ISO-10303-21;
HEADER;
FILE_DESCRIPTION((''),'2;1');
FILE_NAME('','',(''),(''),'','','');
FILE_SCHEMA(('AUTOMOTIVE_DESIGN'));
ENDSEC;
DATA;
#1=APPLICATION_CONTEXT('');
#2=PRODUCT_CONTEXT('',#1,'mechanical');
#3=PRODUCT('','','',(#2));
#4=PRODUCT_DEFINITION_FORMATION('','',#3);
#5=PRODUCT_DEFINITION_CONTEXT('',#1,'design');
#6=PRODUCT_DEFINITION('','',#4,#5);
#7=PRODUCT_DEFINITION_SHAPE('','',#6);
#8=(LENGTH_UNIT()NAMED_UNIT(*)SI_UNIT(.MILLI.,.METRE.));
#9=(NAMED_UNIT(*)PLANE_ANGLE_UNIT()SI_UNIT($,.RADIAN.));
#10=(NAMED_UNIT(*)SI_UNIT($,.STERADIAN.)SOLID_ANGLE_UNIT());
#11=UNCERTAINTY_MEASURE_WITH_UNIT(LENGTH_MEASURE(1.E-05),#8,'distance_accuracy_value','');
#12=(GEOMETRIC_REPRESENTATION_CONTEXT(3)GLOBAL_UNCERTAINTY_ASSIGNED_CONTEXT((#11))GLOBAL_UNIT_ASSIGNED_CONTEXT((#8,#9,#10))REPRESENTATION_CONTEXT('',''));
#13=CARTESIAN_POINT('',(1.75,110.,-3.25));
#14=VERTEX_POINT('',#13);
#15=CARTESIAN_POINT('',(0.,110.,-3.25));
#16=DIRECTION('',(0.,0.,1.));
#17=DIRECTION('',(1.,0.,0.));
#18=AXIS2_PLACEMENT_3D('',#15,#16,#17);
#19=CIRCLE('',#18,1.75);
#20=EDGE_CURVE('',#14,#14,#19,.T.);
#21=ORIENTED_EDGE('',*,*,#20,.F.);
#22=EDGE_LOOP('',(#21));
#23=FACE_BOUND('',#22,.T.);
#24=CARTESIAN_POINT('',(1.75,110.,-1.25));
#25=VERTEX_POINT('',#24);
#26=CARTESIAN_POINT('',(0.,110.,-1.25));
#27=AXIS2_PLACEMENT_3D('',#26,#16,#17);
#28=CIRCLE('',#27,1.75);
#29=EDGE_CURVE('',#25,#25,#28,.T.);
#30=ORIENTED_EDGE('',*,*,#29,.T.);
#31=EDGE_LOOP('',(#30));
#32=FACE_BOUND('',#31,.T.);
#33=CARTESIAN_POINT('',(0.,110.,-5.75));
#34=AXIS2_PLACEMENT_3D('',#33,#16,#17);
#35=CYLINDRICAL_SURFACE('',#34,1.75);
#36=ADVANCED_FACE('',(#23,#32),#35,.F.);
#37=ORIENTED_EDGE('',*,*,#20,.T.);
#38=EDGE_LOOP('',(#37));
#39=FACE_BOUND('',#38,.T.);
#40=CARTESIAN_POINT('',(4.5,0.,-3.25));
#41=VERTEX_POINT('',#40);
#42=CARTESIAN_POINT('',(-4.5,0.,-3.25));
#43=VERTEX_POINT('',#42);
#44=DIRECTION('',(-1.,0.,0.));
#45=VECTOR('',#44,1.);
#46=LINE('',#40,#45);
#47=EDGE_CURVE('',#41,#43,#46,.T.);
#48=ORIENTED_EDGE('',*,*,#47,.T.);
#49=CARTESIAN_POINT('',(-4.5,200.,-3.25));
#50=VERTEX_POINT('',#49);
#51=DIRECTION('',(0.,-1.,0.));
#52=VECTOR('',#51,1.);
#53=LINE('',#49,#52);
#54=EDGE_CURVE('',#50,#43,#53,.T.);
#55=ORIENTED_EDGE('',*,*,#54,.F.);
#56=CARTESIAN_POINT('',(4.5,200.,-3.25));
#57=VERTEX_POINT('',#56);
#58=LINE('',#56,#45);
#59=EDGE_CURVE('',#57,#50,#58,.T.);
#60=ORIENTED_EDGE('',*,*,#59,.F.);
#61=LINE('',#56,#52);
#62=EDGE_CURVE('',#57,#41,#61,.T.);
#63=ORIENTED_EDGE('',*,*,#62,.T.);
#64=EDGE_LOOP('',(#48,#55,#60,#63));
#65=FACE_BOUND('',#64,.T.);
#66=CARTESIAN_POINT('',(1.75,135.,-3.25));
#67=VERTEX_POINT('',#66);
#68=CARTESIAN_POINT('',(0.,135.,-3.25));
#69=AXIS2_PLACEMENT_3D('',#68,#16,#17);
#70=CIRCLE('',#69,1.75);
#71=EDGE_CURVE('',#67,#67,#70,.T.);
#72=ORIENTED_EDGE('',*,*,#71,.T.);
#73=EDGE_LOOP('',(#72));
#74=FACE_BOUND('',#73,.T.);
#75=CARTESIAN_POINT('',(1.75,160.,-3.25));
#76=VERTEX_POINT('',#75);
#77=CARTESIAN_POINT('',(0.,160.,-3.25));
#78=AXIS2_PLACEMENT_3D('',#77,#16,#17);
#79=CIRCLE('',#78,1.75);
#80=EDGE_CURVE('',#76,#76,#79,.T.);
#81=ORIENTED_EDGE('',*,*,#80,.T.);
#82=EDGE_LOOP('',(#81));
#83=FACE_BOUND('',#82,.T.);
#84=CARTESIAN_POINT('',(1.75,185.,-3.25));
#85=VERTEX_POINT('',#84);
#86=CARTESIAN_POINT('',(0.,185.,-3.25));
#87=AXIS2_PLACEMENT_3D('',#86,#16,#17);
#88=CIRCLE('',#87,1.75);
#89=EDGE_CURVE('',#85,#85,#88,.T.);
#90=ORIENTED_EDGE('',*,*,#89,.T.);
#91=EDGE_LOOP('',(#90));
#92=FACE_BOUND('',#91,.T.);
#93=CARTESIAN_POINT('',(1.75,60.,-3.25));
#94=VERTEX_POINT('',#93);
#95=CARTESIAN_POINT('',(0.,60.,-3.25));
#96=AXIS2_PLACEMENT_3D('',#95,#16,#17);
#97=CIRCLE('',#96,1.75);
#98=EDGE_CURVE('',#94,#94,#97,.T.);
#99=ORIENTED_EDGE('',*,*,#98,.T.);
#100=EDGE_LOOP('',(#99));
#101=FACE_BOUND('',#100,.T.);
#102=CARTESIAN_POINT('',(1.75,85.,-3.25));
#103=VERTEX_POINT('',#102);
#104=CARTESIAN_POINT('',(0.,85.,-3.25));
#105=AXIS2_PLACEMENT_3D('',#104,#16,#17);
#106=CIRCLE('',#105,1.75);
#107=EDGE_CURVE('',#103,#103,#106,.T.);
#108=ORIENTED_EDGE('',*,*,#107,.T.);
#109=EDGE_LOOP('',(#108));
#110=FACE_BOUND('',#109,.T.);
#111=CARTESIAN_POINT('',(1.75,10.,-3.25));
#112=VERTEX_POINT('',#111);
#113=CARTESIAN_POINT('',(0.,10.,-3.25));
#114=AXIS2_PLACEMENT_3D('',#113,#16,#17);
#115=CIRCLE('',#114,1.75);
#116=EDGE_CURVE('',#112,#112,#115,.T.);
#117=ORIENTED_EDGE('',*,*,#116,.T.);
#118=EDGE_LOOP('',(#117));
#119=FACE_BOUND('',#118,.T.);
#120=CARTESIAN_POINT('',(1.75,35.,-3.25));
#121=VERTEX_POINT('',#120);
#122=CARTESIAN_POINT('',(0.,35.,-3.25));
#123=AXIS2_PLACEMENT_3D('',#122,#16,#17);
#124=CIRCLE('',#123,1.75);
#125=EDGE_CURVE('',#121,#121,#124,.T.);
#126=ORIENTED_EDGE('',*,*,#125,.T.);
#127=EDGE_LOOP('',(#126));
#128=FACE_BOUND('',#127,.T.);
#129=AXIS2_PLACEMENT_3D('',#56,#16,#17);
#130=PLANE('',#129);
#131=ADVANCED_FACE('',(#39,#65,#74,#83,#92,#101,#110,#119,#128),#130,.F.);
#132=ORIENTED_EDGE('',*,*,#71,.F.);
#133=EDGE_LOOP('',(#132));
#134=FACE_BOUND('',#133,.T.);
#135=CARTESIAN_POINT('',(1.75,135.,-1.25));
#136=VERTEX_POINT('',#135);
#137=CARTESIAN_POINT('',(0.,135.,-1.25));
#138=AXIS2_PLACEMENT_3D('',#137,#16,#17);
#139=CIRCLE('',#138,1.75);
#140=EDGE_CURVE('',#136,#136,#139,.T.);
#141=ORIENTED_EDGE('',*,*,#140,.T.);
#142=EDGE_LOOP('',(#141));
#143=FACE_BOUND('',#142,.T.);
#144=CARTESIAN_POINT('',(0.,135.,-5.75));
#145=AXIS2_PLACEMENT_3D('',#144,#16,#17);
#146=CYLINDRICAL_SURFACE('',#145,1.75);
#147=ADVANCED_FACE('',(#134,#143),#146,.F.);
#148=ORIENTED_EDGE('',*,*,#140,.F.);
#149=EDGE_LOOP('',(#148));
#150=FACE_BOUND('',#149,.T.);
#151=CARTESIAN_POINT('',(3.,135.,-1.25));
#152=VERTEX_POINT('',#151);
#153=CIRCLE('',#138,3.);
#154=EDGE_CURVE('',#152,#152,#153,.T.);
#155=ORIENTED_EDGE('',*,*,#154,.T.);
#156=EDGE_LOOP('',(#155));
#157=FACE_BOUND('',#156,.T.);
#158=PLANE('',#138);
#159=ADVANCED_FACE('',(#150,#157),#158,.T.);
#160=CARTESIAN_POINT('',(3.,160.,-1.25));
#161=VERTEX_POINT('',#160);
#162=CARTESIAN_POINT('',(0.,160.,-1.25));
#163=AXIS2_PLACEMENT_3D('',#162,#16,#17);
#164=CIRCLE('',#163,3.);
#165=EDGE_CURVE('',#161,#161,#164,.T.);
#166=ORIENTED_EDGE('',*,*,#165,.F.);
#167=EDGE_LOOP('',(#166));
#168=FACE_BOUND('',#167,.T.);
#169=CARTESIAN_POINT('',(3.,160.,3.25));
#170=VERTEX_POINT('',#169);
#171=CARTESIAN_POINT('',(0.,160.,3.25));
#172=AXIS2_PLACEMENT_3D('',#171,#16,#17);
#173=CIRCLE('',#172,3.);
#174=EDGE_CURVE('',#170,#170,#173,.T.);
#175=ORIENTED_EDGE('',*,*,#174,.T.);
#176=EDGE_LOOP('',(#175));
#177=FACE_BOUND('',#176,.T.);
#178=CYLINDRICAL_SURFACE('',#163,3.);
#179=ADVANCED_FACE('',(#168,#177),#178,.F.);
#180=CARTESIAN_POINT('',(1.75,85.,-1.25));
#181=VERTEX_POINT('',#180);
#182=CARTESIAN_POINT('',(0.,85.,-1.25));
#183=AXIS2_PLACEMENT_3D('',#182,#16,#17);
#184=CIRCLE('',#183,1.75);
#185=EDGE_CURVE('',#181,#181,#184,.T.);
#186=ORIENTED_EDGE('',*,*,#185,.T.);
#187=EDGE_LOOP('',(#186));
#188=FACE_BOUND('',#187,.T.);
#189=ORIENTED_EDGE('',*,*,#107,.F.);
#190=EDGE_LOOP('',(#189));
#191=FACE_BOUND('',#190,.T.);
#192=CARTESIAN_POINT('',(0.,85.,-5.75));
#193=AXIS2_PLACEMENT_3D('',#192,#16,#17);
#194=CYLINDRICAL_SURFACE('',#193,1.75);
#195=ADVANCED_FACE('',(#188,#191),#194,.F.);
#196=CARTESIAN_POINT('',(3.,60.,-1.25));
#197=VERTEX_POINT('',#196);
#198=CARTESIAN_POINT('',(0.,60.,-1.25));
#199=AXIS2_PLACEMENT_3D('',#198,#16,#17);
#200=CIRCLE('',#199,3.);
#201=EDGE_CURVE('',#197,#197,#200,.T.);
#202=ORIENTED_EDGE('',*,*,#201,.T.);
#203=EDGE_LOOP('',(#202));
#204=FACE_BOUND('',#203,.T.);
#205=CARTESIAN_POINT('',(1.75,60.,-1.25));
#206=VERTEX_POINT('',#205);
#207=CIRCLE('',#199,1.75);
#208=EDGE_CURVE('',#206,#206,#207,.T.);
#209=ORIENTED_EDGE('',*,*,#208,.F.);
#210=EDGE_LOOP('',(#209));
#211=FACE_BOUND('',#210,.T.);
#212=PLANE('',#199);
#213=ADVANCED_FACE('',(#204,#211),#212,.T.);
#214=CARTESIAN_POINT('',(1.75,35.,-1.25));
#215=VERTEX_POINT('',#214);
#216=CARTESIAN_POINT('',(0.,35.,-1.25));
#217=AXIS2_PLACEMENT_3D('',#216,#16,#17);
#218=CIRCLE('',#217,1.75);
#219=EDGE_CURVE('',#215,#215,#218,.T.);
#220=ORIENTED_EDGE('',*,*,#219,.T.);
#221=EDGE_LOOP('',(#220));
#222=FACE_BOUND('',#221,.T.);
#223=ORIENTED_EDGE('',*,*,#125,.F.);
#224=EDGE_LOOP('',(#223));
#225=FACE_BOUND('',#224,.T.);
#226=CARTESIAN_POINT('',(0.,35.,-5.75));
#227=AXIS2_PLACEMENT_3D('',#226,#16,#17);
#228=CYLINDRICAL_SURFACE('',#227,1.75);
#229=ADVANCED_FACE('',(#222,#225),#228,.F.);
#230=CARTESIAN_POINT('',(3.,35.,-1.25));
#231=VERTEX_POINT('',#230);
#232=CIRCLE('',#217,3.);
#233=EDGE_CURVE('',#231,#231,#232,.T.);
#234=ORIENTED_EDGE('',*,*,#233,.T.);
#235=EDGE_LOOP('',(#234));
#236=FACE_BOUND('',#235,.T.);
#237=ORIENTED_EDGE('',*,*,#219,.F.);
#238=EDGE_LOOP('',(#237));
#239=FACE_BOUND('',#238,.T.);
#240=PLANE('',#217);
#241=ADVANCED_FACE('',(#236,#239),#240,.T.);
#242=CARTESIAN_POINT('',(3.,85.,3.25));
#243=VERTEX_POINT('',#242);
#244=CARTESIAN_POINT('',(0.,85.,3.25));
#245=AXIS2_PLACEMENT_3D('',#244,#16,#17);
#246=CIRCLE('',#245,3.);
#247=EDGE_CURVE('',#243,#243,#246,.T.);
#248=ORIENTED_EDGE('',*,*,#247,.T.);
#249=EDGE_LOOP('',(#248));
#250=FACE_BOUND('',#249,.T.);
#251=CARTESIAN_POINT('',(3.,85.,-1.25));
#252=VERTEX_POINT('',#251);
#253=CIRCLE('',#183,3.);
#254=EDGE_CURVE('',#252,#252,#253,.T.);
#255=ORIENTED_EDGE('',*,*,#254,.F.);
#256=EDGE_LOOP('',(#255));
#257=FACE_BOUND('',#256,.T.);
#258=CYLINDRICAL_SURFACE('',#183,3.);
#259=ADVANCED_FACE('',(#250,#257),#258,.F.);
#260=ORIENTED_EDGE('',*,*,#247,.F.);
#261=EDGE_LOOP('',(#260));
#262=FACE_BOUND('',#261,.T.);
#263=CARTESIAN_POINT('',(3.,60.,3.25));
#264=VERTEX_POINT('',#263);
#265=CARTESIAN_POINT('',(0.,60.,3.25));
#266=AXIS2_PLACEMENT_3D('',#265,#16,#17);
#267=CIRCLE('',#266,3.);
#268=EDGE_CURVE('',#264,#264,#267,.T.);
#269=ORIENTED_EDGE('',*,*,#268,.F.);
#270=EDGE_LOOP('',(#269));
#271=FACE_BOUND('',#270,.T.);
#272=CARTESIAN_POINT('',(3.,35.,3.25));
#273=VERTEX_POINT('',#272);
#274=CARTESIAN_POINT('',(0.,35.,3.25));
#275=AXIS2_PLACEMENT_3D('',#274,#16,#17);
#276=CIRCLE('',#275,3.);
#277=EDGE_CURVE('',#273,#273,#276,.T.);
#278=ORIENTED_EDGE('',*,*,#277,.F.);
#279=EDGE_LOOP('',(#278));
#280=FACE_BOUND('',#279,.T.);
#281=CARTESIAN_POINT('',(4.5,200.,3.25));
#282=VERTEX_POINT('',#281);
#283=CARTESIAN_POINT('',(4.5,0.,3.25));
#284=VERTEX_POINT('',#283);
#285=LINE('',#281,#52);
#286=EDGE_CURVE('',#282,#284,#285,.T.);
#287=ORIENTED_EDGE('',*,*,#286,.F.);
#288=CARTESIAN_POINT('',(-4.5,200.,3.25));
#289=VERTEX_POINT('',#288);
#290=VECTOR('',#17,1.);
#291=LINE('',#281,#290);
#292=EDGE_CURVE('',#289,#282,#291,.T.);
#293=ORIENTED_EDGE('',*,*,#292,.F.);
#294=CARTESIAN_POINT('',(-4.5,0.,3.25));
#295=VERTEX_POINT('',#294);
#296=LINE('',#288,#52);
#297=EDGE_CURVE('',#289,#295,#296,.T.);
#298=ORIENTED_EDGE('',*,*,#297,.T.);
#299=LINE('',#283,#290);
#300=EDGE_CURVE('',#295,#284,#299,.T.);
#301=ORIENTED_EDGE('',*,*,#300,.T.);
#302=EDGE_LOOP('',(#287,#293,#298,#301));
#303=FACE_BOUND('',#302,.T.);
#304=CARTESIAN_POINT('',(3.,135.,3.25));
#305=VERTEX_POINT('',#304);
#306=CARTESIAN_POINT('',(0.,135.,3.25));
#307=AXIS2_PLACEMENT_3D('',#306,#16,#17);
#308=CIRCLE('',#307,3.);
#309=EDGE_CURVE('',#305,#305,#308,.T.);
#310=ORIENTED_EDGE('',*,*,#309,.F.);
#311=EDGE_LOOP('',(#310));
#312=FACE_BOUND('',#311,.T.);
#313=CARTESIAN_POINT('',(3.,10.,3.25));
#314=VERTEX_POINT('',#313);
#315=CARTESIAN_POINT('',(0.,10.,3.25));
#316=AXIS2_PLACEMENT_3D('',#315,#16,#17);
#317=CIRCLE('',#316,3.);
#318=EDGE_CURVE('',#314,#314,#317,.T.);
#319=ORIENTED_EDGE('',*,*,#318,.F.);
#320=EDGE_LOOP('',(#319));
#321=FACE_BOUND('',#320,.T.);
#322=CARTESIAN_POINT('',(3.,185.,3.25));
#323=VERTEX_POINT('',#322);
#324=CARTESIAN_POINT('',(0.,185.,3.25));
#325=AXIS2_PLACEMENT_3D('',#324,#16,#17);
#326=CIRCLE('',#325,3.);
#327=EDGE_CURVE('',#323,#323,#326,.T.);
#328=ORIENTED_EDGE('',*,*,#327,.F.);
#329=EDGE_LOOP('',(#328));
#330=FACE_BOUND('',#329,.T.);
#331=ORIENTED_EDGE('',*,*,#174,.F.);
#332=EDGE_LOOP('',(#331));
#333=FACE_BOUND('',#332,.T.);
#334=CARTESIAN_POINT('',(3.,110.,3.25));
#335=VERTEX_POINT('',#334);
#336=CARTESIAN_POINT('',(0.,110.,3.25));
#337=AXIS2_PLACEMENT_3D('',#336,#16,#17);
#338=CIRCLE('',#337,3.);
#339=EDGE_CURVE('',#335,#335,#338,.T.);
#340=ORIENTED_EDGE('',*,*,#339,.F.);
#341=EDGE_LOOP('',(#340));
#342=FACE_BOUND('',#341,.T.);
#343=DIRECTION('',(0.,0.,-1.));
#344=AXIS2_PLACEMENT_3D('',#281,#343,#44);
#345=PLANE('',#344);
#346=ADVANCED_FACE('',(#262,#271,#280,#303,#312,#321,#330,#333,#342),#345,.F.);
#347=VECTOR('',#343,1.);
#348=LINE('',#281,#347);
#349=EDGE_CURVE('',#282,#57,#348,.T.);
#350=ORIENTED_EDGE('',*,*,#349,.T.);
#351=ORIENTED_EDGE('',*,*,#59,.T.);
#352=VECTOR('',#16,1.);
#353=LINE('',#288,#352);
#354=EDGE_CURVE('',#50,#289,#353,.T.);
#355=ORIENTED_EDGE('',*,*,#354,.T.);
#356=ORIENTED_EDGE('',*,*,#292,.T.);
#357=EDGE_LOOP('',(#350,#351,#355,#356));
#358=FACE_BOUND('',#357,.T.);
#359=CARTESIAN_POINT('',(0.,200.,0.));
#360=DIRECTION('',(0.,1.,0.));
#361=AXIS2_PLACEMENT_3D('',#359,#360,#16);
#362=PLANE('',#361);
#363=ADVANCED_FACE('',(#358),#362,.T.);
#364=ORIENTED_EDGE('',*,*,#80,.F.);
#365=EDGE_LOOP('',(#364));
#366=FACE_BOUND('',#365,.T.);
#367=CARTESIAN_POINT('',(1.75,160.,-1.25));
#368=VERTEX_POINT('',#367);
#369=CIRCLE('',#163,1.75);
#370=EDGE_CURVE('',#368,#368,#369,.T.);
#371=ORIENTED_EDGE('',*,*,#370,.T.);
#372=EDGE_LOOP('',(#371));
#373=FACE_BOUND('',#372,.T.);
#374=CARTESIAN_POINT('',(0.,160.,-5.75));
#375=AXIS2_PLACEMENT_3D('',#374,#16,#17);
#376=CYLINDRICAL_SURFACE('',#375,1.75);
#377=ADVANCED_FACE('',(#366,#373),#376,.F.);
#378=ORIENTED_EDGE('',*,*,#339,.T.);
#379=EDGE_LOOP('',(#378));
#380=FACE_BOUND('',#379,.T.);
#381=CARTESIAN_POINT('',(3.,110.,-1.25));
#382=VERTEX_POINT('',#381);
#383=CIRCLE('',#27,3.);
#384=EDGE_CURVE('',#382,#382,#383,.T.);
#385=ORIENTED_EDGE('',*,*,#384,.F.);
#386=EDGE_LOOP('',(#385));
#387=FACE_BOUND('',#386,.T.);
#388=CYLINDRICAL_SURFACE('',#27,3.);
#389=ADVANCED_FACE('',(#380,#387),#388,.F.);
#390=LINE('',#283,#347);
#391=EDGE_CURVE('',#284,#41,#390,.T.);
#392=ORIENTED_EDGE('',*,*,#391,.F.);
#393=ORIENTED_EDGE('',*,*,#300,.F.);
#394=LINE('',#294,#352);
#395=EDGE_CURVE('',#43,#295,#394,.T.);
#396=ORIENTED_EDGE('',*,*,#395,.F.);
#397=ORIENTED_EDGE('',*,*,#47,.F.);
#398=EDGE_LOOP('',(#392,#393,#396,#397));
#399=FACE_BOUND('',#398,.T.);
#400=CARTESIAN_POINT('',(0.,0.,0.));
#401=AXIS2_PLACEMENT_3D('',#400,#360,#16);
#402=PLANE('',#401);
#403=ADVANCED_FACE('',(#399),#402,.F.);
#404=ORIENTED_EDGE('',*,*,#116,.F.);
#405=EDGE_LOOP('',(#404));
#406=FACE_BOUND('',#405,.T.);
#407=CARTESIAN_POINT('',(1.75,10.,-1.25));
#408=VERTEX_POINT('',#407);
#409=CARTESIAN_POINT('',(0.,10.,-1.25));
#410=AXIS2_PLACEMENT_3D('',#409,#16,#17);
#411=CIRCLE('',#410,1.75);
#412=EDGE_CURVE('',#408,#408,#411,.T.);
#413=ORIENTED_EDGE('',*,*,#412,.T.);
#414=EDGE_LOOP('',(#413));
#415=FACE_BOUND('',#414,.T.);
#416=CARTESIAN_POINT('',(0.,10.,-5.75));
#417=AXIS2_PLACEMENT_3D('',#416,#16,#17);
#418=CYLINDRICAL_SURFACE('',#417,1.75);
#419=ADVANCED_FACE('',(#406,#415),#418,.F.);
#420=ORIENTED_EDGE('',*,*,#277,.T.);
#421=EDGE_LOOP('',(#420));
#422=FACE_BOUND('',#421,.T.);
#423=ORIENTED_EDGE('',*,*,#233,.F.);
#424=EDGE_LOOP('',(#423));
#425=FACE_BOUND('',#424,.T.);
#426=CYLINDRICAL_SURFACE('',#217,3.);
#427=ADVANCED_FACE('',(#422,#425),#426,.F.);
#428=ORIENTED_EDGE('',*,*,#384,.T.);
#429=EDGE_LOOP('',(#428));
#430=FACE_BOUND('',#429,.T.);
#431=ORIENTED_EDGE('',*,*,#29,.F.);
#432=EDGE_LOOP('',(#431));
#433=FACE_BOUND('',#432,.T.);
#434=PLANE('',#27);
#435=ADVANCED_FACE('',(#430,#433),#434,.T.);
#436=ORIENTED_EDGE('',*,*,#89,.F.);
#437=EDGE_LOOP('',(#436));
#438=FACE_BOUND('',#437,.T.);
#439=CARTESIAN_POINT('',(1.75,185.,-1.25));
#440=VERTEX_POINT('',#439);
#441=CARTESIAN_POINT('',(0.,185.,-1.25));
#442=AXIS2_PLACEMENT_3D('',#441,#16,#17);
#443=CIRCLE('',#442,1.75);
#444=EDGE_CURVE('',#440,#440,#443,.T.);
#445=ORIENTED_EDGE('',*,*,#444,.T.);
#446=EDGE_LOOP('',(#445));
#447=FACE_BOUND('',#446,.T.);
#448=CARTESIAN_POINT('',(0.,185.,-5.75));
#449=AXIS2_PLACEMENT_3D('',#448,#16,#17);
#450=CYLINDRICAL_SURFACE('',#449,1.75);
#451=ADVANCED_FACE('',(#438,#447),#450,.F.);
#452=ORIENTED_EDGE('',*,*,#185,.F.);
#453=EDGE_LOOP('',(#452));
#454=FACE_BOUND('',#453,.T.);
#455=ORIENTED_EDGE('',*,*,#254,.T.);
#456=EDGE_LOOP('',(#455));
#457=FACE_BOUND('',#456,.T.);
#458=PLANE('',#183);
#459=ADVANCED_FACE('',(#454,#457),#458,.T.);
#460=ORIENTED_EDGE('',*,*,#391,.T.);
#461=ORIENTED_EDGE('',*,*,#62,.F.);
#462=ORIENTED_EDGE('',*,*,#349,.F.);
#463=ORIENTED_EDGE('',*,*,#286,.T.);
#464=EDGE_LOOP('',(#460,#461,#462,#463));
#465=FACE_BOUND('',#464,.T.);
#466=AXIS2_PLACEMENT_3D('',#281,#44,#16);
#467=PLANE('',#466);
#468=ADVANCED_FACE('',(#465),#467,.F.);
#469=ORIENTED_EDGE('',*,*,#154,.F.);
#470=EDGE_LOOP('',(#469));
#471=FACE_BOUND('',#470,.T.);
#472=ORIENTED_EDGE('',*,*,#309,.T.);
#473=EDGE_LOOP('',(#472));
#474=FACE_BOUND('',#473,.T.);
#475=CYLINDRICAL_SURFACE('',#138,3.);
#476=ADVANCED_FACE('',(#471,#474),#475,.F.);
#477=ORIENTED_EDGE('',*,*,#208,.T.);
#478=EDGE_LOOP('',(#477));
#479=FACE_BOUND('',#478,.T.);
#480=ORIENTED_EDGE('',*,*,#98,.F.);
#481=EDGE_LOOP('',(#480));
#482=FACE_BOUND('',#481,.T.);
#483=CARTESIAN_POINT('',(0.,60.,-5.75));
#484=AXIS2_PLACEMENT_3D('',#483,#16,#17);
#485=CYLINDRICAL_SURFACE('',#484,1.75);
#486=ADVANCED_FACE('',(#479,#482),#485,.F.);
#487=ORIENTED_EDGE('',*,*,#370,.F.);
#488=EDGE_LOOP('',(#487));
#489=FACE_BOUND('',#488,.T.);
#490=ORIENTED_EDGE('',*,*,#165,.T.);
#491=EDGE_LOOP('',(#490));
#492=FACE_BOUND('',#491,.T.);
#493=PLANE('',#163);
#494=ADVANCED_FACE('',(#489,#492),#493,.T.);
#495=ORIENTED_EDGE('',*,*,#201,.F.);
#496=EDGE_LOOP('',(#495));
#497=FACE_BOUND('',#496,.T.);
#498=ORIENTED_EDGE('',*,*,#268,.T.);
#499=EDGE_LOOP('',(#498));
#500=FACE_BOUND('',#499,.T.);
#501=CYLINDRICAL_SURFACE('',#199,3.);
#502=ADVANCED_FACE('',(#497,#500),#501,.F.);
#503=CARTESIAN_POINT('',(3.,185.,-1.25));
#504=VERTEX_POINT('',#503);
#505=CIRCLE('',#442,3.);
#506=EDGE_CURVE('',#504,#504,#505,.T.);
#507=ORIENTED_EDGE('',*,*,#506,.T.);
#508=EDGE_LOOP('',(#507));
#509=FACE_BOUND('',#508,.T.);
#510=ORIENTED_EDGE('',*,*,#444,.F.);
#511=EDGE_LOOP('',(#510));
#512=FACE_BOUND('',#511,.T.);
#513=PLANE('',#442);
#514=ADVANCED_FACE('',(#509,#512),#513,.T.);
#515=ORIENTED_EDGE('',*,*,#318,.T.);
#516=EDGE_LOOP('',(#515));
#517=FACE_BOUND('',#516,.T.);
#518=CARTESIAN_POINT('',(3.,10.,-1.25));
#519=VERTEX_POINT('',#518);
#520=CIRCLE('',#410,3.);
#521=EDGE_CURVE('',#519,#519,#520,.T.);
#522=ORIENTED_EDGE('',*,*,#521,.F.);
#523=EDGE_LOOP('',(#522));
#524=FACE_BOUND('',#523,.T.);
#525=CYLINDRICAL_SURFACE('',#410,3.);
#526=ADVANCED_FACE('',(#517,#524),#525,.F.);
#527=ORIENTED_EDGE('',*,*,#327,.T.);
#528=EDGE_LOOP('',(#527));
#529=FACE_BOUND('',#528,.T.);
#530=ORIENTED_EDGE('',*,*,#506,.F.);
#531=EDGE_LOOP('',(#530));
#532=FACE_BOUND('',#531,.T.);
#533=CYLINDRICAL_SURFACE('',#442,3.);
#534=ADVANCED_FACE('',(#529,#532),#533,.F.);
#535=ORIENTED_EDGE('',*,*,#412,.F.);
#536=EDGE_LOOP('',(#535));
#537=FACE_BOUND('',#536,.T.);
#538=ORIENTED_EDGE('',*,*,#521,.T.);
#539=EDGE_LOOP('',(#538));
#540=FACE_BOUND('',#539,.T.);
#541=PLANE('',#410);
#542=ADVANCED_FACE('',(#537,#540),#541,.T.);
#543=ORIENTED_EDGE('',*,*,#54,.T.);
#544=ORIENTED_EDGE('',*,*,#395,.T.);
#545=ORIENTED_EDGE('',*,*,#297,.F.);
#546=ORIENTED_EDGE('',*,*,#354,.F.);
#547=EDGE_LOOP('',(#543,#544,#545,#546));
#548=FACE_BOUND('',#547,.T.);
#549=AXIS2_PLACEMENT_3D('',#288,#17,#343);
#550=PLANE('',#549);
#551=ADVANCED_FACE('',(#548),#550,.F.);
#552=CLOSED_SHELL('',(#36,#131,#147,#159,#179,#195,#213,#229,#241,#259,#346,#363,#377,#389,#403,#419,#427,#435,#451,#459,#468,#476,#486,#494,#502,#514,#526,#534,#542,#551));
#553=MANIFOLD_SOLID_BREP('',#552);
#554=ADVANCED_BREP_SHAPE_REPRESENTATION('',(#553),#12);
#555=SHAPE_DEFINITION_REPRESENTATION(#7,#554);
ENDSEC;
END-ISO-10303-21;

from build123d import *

# Parameters (mm, degrees)
SKETCH_1_W             = 9
SKETCH_1_H             = 6.5
EXTRUDE_1_DEPTH        = 200
SKETCH_2_R             = 3
CUT_EXTRUDE_1_DEPTH    = 4.5
SKETCH_3_R             = 1.75
CUT_EXTRUDE_2_DEPTH    = 4.5
PATTERN_LINEAR_1_COUNT = 8
PATTERN_LINEAR_1_PITCH = 25


with BuildPart() as part:
    # 草图1 → 凸台-拉伸1 (new body)
    with BuildSketch(Plane(origin=(0, 0, 0), x_dir=(1, 0, 0), z_dir=(0, 1, 0))):
        Rectangle(SKETCH_1_W, SKETCH_1_H)
    extrude(amount=EXTRUDE_1_DEPTH)

    # 草图2 → 切除-拉伸1 (cut)
    with BuildSketch(Plane.XY.offset(3.25)):
        with Locations((0, 10)):
            Circle(SKETCH_2_R)
    cut_extrude_1 = extrude(amount=-CUT_EXTRUDE_1_DEPTH, mode=Mode.SUBTRACT)

    # 草图3 → 切除-拉伸2 (cut)
    with BuildSketch(Plane.XY.offset(-1.25)):
        with Locations((0, 10)):
            Circle(SKETCH_3_R)
    cut_extrude_2 = extrude(amount=-CUT_EXTRUDE_2_DEPTH, mode=Mode.SUBTRACT)

    # 阵列(线性)1: 切除-拉伸1, 切除-拉伸2 ×8
    with Locations(*[(0, i * PATTERN_LINEAR_1_PITCH, 0) for i in range(1, PATTERN_LINEAR_1_COUNT)]):
        add(cut_extrude_1, mode=Mode.SUBTRACT)
        add(cut_extrude_2, mode=Mode.SUBTRACT)


solid = part.part
